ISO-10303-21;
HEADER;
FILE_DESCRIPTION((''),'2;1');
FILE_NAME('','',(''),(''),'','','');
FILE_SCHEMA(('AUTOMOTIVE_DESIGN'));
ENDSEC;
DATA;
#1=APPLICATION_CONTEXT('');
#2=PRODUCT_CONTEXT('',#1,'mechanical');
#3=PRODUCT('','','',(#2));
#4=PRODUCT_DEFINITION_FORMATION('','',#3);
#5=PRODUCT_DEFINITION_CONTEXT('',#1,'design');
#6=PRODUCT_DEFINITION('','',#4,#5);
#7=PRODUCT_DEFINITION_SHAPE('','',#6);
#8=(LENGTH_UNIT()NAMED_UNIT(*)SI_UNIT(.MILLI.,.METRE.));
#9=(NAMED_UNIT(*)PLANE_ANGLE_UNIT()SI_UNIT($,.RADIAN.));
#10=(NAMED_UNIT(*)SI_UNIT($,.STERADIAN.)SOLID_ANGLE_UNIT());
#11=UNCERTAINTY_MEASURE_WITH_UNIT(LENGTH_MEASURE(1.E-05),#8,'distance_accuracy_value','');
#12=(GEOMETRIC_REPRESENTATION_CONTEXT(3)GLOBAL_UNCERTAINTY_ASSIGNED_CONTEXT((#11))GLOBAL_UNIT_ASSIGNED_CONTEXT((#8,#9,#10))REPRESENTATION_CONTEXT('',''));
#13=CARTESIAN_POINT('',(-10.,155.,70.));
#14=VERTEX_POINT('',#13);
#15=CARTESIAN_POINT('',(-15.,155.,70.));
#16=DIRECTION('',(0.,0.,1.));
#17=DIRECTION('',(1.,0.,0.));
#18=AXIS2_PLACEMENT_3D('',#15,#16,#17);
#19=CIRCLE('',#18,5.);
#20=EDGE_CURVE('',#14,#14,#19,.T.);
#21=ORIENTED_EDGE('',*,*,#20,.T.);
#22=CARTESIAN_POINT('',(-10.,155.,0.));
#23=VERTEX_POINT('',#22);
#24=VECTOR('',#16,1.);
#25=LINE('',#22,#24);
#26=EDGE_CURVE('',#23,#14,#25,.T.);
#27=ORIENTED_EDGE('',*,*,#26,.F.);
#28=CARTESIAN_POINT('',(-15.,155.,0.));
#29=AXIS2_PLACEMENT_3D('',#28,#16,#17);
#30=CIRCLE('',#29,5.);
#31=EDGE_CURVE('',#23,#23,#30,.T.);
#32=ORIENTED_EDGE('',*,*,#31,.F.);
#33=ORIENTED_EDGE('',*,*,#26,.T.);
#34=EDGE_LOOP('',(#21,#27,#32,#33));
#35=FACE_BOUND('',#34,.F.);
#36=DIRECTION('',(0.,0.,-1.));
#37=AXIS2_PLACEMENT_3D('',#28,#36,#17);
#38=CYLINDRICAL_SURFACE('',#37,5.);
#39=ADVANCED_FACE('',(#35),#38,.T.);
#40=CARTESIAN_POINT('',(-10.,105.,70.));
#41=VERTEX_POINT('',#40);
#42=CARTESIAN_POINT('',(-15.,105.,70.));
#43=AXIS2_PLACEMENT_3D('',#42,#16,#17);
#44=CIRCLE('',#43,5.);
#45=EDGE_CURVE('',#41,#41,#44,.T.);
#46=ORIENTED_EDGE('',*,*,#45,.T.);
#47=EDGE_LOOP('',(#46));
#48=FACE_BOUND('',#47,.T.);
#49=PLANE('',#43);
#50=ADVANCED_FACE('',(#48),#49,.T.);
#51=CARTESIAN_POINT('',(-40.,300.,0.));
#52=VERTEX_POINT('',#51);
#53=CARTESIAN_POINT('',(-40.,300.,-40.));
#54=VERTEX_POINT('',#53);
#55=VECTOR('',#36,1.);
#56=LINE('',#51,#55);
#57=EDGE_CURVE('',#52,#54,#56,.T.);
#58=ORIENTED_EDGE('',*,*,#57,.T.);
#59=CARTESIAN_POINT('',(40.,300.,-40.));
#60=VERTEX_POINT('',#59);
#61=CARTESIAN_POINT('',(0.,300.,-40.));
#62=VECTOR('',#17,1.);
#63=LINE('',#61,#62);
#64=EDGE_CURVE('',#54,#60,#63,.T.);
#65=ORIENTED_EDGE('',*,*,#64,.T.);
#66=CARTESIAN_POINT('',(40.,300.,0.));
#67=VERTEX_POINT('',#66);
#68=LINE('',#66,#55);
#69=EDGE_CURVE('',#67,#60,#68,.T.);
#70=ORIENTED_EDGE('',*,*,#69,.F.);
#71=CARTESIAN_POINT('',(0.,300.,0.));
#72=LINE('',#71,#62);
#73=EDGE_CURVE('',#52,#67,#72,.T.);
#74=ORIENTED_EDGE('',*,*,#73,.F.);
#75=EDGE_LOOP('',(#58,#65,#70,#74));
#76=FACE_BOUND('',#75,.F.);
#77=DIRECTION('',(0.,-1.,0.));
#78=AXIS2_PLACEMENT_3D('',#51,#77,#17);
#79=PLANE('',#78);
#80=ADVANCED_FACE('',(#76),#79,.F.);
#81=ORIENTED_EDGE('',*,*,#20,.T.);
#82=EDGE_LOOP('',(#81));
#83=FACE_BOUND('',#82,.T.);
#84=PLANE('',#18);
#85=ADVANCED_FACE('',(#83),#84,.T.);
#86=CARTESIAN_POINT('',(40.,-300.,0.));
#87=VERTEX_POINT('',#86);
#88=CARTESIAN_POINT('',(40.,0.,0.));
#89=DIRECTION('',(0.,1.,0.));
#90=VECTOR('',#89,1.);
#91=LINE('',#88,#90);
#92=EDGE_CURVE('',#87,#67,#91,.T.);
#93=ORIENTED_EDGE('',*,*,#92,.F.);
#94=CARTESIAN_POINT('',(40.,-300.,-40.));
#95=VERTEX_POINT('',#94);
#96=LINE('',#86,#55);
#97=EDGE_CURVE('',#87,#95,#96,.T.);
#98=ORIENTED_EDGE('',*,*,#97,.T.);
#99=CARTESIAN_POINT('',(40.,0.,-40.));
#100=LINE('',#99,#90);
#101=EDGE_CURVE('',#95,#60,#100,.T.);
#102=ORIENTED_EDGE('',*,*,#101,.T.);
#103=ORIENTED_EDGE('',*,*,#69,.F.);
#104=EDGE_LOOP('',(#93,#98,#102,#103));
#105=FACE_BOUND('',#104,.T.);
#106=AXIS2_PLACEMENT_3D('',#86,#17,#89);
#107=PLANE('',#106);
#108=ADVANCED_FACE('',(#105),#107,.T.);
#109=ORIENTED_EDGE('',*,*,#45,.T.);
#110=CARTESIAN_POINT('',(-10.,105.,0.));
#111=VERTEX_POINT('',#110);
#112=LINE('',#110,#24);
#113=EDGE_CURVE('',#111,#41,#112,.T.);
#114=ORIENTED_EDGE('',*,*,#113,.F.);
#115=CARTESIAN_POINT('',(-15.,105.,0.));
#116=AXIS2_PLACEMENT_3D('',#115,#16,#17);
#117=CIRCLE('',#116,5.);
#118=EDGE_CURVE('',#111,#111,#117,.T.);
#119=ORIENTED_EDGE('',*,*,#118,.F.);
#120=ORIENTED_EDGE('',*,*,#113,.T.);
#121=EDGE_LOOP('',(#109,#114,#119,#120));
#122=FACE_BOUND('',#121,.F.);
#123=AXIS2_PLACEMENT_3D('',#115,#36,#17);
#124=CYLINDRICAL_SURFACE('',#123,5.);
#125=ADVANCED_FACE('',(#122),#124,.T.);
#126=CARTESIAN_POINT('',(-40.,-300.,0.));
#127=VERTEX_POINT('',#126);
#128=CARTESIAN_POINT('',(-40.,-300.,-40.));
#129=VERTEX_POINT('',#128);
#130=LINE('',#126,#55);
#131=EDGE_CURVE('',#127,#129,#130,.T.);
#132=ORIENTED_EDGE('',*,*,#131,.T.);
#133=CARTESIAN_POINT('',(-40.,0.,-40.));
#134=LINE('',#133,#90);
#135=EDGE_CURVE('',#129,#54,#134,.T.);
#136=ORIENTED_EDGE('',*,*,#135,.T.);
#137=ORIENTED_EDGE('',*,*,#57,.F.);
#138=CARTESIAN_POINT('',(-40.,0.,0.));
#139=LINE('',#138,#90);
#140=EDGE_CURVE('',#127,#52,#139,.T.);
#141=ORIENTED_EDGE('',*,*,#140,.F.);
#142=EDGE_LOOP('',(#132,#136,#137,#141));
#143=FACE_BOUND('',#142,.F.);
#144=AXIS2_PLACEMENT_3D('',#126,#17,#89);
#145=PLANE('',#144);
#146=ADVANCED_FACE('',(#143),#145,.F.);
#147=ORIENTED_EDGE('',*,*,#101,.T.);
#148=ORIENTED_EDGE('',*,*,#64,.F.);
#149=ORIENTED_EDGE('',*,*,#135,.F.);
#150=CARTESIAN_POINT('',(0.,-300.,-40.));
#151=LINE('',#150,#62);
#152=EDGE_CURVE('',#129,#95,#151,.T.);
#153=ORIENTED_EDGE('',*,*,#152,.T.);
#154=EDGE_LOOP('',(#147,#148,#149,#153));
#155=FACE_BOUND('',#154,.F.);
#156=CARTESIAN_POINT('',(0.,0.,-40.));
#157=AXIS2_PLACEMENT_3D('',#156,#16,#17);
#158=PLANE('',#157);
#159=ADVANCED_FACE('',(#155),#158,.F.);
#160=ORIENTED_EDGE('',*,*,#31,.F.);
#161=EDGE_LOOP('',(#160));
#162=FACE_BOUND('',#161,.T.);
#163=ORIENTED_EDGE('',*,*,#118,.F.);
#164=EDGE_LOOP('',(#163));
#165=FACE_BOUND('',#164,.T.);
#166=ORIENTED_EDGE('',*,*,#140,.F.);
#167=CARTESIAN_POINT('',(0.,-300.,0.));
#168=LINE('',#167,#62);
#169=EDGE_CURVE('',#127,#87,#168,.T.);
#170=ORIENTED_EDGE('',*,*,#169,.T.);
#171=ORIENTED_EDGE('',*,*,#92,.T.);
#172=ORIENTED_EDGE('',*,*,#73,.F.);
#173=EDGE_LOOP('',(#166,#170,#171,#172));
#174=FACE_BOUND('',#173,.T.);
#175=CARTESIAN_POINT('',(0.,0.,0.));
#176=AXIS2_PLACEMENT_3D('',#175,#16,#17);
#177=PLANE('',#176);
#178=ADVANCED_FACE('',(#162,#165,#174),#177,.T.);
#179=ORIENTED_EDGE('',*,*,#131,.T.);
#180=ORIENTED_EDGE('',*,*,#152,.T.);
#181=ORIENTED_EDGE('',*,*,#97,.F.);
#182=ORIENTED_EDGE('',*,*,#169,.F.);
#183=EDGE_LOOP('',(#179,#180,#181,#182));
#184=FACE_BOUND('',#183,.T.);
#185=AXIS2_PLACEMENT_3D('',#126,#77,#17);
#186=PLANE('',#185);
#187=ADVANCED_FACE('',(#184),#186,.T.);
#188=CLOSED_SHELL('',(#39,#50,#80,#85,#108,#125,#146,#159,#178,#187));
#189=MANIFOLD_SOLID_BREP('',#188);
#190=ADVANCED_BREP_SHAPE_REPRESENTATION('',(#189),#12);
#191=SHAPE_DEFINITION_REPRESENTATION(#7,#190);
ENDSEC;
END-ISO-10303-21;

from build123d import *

# Parameters (mm, degrees)
F0_W     = 80
F0_H     = 600
F0_R     = 5
F1_DEPTH = 40
F2_DEPTH = 70


with BuildPart() as f1:
    # F0 (on Top) → F1 (new body)
    with BuildSketch(Plane.XY):
        Rectangle(F0_W, F0_H)
        with Locations((-15, 105)):
            Circle(F0_R, mode=Mode.SUBTRACT)
        with Locations((-15, 155)):
            Circle(F0_R, mode=Mode.SUBTRACT)
        with Locations((-15, 155)):
            Circle(F0_R)
        with Locations((-15, 105)):
            Circle(F0_R)
    extrude(amount=-F1_DEPTH)

    # F0 (on Top) → F2 (join)
    with BuildSketch(Plane.XY):
        with Locations((-15, 155)):
            Circle(F0_R)
        with Locations((-15, 105)):
            Circle(F0_R)
    extrude(amount=F2_DEPTH)


solid = f1.part
